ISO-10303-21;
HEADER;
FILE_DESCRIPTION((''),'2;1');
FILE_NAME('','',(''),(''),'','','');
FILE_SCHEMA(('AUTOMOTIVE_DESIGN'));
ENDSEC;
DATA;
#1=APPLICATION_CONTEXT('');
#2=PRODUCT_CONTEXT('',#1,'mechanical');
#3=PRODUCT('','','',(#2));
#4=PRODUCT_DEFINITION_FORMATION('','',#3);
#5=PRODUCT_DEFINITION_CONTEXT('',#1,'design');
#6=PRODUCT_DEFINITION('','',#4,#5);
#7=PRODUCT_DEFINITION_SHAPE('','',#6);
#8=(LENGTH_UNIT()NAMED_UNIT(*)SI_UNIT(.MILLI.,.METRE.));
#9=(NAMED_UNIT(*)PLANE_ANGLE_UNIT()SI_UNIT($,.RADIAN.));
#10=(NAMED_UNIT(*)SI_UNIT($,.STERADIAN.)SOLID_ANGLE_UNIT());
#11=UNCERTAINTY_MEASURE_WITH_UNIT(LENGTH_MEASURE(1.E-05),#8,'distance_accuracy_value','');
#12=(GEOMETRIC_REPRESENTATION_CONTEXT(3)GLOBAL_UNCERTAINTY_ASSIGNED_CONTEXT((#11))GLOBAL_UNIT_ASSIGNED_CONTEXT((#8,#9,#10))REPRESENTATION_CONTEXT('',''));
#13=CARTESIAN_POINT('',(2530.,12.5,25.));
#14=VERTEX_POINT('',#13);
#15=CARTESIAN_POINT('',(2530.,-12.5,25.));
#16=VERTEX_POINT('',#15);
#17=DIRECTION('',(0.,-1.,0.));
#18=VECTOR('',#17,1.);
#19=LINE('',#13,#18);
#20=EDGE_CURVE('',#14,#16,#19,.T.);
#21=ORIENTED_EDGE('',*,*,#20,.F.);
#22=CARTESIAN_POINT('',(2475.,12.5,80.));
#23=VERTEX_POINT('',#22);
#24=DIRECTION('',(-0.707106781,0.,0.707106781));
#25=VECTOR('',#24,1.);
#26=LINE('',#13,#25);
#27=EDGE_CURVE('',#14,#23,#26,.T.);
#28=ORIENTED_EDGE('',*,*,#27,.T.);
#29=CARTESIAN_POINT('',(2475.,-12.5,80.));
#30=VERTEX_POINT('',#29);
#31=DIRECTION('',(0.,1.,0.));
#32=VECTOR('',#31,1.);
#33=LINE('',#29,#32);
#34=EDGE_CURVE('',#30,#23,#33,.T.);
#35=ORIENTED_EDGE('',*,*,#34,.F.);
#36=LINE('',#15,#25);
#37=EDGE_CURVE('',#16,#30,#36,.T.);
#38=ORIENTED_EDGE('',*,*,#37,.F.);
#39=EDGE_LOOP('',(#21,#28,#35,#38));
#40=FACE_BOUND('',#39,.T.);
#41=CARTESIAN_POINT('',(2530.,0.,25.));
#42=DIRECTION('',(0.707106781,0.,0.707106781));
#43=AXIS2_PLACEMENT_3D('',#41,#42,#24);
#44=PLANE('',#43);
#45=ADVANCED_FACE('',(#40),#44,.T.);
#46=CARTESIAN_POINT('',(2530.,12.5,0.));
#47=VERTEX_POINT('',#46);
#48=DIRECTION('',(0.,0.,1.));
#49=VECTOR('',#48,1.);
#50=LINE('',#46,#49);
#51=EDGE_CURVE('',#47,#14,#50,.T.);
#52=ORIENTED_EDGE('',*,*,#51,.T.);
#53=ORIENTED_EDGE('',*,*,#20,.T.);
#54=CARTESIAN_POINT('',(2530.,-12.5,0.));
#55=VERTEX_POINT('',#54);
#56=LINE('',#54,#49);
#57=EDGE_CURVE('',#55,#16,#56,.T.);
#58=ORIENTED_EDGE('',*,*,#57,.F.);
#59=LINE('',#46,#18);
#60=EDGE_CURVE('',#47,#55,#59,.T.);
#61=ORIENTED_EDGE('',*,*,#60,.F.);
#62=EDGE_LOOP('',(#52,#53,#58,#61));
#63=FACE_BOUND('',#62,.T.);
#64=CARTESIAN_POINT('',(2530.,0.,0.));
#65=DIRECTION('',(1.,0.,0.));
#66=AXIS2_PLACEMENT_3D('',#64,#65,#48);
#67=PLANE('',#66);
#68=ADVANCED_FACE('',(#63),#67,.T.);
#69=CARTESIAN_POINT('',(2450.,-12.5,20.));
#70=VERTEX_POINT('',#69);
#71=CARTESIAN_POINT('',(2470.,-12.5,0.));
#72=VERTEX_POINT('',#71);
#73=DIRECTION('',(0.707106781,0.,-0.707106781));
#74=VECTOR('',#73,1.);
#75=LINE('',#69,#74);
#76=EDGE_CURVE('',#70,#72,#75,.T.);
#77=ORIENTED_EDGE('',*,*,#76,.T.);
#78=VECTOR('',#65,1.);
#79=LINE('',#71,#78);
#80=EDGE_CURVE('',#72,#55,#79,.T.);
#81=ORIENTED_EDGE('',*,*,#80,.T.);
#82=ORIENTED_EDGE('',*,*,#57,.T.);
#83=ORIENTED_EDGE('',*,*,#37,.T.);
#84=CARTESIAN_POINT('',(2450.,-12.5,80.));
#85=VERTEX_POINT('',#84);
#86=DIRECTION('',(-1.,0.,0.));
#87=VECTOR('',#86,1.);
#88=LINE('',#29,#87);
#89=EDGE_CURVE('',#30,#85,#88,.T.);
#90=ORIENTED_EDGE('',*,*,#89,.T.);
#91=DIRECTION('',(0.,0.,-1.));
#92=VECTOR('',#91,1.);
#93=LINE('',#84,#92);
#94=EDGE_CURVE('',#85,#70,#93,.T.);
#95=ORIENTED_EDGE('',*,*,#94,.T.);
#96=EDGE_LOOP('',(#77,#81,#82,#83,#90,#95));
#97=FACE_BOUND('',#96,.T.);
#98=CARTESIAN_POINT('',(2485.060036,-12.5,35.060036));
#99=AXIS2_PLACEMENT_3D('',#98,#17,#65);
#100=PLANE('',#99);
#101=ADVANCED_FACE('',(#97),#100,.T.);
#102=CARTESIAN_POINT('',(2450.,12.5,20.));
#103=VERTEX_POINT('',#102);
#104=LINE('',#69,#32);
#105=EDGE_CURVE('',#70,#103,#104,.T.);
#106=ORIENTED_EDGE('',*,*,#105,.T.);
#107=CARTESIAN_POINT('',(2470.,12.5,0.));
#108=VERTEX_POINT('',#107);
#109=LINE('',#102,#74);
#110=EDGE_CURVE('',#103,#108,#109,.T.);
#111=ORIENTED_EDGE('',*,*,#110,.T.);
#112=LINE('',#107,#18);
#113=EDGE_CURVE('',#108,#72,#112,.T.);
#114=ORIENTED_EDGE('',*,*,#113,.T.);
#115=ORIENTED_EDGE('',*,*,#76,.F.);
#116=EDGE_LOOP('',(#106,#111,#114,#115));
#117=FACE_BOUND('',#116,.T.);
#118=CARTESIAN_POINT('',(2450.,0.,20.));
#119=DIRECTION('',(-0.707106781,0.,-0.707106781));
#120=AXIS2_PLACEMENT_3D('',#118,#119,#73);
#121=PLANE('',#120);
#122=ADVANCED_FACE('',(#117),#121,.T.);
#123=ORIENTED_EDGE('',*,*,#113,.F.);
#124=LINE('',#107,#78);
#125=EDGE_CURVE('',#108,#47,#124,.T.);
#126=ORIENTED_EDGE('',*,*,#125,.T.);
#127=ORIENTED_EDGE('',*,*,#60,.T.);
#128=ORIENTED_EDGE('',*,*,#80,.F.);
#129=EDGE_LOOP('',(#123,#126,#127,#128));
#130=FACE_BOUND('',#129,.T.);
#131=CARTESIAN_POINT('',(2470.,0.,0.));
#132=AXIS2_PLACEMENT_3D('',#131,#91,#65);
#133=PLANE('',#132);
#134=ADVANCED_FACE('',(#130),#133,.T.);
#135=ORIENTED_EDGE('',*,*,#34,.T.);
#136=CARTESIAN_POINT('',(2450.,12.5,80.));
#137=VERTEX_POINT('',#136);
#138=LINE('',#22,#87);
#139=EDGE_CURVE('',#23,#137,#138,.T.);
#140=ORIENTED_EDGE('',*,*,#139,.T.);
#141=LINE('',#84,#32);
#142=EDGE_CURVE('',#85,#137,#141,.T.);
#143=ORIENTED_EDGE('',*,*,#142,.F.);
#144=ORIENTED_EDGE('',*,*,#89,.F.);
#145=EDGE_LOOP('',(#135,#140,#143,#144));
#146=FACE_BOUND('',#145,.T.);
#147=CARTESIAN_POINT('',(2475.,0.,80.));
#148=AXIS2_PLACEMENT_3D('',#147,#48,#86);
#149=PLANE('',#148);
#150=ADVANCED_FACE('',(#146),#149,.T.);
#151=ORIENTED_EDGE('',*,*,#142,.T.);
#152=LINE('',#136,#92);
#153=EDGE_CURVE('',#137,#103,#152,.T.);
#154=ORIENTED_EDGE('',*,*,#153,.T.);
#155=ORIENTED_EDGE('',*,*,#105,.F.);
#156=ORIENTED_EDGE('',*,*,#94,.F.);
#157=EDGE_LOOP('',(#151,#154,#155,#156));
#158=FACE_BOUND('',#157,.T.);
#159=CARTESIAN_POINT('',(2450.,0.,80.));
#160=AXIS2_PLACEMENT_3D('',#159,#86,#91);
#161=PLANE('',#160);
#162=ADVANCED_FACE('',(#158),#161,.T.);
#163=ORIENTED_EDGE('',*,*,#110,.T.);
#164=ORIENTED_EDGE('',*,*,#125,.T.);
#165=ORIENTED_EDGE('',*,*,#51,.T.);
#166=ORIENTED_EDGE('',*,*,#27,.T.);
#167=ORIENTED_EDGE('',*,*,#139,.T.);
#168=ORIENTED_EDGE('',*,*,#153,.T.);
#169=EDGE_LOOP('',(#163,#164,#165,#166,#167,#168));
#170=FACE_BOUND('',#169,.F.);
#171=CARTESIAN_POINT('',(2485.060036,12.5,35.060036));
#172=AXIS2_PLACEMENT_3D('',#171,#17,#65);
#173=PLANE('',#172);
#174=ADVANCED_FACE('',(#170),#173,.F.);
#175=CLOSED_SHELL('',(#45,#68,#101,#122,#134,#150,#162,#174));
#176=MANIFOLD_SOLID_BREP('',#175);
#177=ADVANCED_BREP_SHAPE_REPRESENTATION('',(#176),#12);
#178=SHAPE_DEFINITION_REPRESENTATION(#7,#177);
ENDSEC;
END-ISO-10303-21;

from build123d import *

# Parameters (mm, degrees)
F1_DEPTH = 12.5


with BuildPart() as f1:
    # F0 (on Front) → F1 (new body, symmetric)
    with BuildSketch(Plane.XZ):
        Polygon((2450, 20), (2470, 0), (2530, 0), (2530, 25), (2475, 80), (2450, 80), align=None)
    extrude(amount=F1_DEPTH, both=True)


with BuildPart() as f2_1:
    # F2: copy of F1
    add(f1.part)


solid = f1.part
